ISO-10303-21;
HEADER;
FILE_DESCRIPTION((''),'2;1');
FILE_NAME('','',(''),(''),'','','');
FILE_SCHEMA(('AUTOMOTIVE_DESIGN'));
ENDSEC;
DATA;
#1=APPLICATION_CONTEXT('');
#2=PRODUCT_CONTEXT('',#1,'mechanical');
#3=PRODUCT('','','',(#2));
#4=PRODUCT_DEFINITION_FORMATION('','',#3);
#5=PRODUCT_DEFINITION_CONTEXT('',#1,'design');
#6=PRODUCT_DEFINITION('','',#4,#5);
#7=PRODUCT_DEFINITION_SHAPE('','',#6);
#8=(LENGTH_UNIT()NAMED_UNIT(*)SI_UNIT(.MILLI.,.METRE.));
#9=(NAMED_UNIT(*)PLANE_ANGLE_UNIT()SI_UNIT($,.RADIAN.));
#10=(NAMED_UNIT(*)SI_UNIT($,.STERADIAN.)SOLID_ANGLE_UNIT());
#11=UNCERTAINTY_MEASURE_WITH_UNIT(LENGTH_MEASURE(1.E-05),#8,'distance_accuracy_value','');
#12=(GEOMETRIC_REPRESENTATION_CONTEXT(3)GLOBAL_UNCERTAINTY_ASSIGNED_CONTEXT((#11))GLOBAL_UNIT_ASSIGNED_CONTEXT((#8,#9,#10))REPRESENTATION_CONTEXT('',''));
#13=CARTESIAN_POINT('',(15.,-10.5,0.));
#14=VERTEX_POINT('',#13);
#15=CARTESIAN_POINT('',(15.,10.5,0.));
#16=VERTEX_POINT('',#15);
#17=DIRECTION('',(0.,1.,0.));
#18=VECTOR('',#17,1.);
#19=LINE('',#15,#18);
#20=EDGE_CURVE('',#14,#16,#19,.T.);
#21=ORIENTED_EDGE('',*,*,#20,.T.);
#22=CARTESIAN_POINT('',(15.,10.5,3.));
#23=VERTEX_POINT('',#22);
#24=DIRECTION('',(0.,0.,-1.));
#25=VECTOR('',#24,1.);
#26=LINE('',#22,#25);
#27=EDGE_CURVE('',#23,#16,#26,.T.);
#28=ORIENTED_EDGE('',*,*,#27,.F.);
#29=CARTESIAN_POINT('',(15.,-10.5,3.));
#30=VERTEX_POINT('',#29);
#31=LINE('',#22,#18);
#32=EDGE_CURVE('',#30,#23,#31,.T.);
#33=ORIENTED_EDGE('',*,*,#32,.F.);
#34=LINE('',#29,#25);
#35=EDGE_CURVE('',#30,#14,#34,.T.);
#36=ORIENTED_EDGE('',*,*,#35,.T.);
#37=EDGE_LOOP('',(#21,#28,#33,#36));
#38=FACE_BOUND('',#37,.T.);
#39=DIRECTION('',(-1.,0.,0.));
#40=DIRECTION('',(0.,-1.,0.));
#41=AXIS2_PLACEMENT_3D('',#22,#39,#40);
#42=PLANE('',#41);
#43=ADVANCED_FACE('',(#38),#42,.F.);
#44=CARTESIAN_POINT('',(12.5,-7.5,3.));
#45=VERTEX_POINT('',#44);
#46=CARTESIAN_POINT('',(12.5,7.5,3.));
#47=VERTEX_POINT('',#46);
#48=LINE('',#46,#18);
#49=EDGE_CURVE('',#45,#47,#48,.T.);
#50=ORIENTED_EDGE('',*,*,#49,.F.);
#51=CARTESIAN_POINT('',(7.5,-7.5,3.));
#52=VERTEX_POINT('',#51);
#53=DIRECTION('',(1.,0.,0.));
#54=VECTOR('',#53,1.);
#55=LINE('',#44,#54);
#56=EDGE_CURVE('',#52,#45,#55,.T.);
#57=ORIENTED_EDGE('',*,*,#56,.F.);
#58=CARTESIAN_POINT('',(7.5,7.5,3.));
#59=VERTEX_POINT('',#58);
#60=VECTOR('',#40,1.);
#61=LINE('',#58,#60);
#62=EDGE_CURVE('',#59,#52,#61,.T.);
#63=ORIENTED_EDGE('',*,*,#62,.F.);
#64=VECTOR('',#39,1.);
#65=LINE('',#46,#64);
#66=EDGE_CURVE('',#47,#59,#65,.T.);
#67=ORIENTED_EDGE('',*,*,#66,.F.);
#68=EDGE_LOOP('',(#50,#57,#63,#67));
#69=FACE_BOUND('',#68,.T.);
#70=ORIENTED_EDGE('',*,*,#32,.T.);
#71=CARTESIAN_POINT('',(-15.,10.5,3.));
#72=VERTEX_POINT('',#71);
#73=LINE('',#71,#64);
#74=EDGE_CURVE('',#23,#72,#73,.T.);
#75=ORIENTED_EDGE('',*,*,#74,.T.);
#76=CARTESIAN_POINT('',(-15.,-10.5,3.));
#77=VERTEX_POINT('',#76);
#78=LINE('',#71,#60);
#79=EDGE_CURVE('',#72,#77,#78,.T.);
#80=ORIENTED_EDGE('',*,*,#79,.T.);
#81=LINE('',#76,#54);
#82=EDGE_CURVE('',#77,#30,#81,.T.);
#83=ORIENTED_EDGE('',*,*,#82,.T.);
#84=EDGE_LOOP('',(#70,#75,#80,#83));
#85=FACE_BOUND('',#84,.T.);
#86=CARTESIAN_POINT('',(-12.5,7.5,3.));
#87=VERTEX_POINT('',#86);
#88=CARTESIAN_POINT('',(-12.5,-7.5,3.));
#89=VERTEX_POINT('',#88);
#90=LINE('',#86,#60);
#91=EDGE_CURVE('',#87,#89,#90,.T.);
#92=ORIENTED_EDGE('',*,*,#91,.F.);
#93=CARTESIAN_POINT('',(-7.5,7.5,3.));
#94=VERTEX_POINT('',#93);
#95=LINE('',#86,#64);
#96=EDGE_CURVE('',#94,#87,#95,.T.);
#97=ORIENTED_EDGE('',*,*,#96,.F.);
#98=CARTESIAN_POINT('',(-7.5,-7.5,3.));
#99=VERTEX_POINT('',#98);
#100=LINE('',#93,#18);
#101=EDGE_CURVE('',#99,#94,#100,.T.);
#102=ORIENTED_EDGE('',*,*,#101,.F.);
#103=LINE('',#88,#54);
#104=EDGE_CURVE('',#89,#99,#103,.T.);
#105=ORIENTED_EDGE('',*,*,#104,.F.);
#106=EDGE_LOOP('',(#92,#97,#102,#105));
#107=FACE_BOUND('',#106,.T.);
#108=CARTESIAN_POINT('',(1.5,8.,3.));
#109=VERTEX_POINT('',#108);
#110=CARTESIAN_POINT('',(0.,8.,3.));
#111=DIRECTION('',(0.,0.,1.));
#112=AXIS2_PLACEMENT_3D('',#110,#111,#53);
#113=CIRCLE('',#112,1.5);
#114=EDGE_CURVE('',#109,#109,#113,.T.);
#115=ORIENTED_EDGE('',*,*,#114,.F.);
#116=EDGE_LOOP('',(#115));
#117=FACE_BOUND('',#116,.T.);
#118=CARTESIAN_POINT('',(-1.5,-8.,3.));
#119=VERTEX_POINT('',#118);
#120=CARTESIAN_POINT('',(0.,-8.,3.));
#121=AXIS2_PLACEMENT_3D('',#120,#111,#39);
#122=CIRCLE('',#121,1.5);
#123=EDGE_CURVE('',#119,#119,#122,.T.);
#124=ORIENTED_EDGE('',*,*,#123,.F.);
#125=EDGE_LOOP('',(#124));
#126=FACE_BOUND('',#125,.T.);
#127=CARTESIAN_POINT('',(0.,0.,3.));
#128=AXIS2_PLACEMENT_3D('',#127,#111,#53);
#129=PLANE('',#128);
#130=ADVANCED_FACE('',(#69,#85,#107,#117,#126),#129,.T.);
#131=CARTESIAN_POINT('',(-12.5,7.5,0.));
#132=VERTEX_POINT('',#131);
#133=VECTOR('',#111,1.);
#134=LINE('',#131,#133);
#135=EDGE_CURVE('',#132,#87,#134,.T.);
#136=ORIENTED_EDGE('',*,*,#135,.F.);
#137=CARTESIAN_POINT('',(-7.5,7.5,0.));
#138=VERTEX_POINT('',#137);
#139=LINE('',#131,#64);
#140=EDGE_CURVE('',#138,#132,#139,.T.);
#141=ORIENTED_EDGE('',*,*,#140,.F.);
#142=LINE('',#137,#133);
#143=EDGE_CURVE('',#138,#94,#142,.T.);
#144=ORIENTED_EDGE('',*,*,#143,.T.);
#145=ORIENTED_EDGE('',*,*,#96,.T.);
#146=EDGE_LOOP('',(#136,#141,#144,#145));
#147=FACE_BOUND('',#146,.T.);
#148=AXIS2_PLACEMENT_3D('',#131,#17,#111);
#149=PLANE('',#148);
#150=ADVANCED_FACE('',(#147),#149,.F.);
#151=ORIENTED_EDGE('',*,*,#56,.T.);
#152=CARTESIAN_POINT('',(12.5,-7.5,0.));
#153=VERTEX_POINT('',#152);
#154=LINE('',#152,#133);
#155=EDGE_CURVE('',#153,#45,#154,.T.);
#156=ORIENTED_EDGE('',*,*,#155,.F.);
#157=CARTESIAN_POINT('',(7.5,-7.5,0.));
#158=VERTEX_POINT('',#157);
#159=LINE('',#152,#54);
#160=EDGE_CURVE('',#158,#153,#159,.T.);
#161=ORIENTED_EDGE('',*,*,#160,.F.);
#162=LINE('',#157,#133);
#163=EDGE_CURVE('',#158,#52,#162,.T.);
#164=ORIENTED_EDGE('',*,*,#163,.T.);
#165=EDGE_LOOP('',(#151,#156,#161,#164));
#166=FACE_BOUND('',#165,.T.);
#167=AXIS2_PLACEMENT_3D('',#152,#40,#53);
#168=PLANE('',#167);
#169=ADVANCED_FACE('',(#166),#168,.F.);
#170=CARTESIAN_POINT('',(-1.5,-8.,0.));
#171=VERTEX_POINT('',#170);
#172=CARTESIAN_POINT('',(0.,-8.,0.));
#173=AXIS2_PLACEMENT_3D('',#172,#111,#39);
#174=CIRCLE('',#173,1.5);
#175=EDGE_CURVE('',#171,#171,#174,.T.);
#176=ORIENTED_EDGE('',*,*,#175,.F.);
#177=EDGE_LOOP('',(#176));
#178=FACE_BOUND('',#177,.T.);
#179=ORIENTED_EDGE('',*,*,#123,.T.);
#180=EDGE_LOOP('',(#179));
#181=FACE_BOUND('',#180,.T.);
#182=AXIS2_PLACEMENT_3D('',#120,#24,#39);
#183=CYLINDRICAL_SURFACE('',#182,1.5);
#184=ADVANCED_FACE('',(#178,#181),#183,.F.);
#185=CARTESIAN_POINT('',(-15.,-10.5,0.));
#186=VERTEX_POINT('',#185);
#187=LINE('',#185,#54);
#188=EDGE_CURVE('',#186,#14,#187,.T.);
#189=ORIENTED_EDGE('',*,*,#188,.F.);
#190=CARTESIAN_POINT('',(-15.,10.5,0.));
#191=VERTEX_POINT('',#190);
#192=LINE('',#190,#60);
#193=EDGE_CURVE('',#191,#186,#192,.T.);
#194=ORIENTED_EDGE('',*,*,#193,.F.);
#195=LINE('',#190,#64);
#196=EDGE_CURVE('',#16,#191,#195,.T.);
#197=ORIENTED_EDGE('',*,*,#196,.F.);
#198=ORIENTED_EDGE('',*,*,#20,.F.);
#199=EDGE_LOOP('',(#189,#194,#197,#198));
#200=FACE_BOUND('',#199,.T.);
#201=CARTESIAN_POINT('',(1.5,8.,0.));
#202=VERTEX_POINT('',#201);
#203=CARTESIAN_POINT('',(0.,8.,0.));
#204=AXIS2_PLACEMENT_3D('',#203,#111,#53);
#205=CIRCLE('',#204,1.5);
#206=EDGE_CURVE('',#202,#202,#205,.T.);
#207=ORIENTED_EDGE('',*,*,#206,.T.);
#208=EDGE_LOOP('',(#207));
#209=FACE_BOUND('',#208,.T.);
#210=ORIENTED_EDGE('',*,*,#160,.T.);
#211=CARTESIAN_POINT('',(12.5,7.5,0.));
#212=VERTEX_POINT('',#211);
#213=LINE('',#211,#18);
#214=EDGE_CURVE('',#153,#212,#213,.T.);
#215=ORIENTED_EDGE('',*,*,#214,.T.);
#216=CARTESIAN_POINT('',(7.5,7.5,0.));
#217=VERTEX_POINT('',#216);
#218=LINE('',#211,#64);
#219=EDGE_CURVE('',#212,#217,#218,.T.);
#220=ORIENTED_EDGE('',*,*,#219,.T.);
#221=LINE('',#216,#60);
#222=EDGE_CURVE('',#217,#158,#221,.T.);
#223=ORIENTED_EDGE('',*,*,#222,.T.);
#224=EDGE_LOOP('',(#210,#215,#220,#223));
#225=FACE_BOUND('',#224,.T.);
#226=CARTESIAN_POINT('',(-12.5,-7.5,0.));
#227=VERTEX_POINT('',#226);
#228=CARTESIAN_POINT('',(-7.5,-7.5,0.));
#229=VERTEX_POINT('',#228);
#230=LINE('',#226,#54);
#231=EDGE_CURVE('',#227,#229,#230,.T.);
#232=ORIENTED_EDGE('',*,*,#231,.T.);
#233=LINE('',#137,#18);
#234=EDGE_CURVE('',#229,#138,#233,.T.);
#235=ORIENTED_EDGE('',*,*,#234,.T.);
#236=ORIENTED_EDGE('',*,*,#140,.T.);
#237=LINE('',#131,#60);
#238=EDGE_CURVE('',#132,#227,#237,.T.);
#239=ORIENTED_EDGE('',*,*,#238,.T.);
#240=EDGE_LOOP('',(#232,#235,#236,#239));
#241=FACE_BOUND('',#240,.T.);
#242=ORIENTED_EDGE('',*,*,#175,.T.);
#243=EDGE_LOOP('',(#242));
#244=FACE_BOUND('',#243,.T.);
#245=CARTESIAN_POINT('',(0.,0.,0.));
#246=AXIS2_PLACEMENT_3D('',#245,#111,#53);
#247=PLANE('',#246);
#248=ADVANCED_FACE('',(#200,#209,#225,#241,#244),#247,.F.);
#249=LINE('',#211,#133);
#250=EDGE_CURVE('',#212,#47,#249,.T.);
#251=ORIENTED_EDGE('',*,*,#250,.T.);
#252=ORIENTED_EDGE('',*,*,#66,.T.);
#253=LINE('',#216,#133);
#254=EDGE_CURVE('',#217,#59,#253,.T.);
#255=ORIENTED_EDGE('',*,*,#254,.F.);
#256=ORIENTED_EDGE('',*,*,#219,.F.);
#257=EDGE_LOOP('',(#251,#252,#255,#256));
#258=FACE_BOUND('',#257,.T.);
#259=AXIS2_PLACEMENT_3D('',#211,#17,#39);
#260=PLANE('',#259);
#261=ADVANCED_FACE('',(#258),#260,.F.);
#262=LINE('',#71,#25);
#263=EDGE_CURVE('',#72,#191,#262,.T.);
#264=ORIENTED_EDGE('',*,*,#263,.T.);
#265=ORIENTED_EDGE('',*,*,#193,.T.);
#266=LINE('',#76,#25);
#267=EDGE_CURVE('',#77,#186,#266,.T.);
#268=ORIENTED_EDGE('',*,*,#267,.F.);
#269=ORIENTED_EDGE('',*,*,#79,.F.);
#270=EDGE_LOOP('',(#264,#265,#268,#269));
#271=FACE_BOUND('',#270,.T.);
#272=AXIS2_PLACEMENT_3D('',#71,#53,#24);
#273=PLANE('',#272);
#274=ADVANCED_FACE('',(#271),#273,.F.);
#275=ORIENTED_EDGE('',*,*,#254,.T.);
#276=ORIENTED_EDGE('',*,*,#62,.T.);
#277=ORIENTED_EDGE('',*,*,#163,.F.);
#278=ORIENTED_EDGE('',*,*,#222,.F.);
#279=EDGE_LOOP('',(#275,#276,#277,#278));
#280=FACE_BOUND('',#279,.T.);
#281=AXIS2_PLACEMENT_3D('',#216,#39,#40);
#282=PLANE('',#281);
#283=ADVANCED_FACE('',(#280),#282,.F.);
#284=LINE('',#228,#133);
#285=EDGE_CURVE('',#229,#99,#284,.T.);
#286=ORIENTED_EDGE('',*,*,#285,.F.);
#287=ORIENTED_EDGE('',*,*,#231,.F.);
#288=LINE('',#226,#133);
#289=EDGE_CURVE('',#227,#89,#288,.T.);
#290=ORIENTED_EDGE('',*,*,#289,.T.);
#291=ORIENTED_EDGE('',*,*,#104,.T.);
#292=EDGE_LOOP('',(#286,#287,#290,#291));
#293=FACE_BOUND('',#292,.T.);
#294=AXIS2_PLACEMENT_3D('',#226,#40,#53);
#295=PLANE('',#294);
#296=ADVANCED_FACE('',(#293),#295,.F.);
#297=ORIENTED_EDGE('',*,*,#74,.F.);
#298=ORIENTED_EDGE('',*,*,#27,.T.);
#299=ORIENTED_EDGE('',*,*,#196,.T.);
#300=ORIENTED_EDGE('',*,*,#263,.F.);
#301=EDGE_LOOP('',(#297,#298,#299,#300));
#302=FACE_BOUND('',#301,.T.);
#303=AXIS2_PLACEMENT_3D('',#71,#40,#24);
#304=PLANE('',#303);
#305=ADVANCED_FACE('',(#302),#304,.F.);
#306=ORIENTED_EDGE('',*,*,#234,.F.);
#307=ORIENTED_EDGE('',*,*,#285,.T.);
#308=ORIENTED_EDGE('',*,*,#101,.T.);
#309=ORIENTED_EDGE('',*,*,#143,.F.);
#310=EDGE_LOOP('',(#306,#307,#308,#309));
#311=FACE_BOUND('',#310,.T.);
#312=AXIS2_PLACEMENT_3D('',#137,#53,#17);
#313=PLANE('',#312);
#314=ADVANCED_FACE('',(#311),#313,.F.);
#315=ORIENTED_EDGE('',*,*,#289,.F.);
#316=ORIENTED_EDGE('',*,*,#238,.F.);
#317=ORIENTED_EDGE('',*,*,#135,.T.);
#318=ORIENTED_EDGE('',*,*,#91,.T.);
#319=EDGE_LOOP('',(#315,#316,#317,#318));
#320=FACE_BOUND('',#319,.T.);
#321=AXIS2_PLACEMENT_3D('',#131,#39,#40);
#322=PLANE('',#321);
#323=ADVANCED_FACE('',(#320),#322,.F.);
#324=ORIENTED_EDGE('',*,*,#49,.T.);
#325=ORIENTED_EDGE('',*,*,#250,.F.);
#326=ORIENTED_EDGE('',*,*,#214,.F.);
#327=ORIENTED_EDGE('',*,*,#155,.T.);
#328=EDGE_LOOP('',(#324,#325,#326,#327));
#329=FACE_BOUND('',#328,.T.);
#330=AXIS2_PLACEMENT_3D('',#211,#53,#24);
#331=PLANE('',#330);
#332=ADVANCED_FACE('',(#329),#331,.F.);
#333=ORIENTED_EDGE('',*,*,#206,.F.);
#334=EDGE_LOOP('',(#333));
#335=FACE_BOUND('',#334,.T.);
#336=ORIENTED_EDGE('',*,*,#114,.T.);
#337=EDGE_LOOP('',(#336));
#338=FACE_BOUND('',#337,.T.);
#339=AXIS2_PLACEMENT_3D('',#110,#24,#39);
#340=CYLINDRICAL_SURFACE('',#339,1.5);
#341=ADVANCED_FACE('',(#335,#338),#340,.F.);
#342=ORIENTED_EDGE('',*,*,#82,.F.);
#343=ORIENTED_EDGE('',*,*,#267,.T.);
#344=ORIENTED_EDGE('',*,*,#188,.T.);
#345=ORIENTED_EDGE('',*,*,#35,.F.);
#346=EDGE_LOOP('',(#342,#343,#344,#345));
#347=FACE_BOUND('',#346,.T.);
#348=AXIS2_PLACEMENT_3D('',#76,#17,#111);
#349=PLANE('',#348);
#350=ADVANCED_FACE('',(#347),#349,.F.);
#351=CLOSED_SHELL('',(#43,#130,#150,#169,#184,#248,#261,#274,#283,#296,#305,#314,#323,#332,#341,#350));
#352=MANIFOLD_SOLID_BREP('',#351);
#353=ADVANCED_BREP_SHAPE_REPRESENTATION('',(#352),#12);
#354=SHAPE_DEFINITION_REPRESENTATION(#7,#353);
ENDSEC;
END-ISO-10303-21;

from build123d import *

# Parameters (mm, degrees)
SKETCH_1_W          = 30
SKETCH_1_H          = 21
SKETCH_1_R          = 1.5
EXTRUDE_1_DEPTH     = 3
SKETCH_2_W          = 5
SKETCH_2_H          = 15
CUT_EXTRUDE_1_DEPTH = 19.553975315


with BuildPart() as part:
    # 草图1 → 凸台-拉伸1 (new body)
    with BuildSketch(Plane.XY):
        Rectangle(SKETCH_1_W, SKETCH_1_H)
        with Locations((0, 8)):
            Circle(SKETCH_1_R, mode=Mode.SUBTRACT)
        with Locations(Location((0, -8, 0), (0, 0, 180))):
            Circle(SKETCH_1_R, mode=Mode.SUBTRACT)
    extrude(amount=EXTRUDE_1_DEPTH)

    # 草图2 → 切除-拉伸1 (cut, through all)
    with BuildSketch(Plane.XY.offset(3)):
        with Locations((-10, 0)):
            Rectangle(SKETCH_2_W, SKETCH_2_H)
        with Locations((10, 0)):
            Rectangle(SKETCH_2_W, SKETCH_2_H)
    extrude(amount=-CUT_EXTRUDE_1_DEPTH, mode=Mode.SUBTRACT)


solid = part.part
